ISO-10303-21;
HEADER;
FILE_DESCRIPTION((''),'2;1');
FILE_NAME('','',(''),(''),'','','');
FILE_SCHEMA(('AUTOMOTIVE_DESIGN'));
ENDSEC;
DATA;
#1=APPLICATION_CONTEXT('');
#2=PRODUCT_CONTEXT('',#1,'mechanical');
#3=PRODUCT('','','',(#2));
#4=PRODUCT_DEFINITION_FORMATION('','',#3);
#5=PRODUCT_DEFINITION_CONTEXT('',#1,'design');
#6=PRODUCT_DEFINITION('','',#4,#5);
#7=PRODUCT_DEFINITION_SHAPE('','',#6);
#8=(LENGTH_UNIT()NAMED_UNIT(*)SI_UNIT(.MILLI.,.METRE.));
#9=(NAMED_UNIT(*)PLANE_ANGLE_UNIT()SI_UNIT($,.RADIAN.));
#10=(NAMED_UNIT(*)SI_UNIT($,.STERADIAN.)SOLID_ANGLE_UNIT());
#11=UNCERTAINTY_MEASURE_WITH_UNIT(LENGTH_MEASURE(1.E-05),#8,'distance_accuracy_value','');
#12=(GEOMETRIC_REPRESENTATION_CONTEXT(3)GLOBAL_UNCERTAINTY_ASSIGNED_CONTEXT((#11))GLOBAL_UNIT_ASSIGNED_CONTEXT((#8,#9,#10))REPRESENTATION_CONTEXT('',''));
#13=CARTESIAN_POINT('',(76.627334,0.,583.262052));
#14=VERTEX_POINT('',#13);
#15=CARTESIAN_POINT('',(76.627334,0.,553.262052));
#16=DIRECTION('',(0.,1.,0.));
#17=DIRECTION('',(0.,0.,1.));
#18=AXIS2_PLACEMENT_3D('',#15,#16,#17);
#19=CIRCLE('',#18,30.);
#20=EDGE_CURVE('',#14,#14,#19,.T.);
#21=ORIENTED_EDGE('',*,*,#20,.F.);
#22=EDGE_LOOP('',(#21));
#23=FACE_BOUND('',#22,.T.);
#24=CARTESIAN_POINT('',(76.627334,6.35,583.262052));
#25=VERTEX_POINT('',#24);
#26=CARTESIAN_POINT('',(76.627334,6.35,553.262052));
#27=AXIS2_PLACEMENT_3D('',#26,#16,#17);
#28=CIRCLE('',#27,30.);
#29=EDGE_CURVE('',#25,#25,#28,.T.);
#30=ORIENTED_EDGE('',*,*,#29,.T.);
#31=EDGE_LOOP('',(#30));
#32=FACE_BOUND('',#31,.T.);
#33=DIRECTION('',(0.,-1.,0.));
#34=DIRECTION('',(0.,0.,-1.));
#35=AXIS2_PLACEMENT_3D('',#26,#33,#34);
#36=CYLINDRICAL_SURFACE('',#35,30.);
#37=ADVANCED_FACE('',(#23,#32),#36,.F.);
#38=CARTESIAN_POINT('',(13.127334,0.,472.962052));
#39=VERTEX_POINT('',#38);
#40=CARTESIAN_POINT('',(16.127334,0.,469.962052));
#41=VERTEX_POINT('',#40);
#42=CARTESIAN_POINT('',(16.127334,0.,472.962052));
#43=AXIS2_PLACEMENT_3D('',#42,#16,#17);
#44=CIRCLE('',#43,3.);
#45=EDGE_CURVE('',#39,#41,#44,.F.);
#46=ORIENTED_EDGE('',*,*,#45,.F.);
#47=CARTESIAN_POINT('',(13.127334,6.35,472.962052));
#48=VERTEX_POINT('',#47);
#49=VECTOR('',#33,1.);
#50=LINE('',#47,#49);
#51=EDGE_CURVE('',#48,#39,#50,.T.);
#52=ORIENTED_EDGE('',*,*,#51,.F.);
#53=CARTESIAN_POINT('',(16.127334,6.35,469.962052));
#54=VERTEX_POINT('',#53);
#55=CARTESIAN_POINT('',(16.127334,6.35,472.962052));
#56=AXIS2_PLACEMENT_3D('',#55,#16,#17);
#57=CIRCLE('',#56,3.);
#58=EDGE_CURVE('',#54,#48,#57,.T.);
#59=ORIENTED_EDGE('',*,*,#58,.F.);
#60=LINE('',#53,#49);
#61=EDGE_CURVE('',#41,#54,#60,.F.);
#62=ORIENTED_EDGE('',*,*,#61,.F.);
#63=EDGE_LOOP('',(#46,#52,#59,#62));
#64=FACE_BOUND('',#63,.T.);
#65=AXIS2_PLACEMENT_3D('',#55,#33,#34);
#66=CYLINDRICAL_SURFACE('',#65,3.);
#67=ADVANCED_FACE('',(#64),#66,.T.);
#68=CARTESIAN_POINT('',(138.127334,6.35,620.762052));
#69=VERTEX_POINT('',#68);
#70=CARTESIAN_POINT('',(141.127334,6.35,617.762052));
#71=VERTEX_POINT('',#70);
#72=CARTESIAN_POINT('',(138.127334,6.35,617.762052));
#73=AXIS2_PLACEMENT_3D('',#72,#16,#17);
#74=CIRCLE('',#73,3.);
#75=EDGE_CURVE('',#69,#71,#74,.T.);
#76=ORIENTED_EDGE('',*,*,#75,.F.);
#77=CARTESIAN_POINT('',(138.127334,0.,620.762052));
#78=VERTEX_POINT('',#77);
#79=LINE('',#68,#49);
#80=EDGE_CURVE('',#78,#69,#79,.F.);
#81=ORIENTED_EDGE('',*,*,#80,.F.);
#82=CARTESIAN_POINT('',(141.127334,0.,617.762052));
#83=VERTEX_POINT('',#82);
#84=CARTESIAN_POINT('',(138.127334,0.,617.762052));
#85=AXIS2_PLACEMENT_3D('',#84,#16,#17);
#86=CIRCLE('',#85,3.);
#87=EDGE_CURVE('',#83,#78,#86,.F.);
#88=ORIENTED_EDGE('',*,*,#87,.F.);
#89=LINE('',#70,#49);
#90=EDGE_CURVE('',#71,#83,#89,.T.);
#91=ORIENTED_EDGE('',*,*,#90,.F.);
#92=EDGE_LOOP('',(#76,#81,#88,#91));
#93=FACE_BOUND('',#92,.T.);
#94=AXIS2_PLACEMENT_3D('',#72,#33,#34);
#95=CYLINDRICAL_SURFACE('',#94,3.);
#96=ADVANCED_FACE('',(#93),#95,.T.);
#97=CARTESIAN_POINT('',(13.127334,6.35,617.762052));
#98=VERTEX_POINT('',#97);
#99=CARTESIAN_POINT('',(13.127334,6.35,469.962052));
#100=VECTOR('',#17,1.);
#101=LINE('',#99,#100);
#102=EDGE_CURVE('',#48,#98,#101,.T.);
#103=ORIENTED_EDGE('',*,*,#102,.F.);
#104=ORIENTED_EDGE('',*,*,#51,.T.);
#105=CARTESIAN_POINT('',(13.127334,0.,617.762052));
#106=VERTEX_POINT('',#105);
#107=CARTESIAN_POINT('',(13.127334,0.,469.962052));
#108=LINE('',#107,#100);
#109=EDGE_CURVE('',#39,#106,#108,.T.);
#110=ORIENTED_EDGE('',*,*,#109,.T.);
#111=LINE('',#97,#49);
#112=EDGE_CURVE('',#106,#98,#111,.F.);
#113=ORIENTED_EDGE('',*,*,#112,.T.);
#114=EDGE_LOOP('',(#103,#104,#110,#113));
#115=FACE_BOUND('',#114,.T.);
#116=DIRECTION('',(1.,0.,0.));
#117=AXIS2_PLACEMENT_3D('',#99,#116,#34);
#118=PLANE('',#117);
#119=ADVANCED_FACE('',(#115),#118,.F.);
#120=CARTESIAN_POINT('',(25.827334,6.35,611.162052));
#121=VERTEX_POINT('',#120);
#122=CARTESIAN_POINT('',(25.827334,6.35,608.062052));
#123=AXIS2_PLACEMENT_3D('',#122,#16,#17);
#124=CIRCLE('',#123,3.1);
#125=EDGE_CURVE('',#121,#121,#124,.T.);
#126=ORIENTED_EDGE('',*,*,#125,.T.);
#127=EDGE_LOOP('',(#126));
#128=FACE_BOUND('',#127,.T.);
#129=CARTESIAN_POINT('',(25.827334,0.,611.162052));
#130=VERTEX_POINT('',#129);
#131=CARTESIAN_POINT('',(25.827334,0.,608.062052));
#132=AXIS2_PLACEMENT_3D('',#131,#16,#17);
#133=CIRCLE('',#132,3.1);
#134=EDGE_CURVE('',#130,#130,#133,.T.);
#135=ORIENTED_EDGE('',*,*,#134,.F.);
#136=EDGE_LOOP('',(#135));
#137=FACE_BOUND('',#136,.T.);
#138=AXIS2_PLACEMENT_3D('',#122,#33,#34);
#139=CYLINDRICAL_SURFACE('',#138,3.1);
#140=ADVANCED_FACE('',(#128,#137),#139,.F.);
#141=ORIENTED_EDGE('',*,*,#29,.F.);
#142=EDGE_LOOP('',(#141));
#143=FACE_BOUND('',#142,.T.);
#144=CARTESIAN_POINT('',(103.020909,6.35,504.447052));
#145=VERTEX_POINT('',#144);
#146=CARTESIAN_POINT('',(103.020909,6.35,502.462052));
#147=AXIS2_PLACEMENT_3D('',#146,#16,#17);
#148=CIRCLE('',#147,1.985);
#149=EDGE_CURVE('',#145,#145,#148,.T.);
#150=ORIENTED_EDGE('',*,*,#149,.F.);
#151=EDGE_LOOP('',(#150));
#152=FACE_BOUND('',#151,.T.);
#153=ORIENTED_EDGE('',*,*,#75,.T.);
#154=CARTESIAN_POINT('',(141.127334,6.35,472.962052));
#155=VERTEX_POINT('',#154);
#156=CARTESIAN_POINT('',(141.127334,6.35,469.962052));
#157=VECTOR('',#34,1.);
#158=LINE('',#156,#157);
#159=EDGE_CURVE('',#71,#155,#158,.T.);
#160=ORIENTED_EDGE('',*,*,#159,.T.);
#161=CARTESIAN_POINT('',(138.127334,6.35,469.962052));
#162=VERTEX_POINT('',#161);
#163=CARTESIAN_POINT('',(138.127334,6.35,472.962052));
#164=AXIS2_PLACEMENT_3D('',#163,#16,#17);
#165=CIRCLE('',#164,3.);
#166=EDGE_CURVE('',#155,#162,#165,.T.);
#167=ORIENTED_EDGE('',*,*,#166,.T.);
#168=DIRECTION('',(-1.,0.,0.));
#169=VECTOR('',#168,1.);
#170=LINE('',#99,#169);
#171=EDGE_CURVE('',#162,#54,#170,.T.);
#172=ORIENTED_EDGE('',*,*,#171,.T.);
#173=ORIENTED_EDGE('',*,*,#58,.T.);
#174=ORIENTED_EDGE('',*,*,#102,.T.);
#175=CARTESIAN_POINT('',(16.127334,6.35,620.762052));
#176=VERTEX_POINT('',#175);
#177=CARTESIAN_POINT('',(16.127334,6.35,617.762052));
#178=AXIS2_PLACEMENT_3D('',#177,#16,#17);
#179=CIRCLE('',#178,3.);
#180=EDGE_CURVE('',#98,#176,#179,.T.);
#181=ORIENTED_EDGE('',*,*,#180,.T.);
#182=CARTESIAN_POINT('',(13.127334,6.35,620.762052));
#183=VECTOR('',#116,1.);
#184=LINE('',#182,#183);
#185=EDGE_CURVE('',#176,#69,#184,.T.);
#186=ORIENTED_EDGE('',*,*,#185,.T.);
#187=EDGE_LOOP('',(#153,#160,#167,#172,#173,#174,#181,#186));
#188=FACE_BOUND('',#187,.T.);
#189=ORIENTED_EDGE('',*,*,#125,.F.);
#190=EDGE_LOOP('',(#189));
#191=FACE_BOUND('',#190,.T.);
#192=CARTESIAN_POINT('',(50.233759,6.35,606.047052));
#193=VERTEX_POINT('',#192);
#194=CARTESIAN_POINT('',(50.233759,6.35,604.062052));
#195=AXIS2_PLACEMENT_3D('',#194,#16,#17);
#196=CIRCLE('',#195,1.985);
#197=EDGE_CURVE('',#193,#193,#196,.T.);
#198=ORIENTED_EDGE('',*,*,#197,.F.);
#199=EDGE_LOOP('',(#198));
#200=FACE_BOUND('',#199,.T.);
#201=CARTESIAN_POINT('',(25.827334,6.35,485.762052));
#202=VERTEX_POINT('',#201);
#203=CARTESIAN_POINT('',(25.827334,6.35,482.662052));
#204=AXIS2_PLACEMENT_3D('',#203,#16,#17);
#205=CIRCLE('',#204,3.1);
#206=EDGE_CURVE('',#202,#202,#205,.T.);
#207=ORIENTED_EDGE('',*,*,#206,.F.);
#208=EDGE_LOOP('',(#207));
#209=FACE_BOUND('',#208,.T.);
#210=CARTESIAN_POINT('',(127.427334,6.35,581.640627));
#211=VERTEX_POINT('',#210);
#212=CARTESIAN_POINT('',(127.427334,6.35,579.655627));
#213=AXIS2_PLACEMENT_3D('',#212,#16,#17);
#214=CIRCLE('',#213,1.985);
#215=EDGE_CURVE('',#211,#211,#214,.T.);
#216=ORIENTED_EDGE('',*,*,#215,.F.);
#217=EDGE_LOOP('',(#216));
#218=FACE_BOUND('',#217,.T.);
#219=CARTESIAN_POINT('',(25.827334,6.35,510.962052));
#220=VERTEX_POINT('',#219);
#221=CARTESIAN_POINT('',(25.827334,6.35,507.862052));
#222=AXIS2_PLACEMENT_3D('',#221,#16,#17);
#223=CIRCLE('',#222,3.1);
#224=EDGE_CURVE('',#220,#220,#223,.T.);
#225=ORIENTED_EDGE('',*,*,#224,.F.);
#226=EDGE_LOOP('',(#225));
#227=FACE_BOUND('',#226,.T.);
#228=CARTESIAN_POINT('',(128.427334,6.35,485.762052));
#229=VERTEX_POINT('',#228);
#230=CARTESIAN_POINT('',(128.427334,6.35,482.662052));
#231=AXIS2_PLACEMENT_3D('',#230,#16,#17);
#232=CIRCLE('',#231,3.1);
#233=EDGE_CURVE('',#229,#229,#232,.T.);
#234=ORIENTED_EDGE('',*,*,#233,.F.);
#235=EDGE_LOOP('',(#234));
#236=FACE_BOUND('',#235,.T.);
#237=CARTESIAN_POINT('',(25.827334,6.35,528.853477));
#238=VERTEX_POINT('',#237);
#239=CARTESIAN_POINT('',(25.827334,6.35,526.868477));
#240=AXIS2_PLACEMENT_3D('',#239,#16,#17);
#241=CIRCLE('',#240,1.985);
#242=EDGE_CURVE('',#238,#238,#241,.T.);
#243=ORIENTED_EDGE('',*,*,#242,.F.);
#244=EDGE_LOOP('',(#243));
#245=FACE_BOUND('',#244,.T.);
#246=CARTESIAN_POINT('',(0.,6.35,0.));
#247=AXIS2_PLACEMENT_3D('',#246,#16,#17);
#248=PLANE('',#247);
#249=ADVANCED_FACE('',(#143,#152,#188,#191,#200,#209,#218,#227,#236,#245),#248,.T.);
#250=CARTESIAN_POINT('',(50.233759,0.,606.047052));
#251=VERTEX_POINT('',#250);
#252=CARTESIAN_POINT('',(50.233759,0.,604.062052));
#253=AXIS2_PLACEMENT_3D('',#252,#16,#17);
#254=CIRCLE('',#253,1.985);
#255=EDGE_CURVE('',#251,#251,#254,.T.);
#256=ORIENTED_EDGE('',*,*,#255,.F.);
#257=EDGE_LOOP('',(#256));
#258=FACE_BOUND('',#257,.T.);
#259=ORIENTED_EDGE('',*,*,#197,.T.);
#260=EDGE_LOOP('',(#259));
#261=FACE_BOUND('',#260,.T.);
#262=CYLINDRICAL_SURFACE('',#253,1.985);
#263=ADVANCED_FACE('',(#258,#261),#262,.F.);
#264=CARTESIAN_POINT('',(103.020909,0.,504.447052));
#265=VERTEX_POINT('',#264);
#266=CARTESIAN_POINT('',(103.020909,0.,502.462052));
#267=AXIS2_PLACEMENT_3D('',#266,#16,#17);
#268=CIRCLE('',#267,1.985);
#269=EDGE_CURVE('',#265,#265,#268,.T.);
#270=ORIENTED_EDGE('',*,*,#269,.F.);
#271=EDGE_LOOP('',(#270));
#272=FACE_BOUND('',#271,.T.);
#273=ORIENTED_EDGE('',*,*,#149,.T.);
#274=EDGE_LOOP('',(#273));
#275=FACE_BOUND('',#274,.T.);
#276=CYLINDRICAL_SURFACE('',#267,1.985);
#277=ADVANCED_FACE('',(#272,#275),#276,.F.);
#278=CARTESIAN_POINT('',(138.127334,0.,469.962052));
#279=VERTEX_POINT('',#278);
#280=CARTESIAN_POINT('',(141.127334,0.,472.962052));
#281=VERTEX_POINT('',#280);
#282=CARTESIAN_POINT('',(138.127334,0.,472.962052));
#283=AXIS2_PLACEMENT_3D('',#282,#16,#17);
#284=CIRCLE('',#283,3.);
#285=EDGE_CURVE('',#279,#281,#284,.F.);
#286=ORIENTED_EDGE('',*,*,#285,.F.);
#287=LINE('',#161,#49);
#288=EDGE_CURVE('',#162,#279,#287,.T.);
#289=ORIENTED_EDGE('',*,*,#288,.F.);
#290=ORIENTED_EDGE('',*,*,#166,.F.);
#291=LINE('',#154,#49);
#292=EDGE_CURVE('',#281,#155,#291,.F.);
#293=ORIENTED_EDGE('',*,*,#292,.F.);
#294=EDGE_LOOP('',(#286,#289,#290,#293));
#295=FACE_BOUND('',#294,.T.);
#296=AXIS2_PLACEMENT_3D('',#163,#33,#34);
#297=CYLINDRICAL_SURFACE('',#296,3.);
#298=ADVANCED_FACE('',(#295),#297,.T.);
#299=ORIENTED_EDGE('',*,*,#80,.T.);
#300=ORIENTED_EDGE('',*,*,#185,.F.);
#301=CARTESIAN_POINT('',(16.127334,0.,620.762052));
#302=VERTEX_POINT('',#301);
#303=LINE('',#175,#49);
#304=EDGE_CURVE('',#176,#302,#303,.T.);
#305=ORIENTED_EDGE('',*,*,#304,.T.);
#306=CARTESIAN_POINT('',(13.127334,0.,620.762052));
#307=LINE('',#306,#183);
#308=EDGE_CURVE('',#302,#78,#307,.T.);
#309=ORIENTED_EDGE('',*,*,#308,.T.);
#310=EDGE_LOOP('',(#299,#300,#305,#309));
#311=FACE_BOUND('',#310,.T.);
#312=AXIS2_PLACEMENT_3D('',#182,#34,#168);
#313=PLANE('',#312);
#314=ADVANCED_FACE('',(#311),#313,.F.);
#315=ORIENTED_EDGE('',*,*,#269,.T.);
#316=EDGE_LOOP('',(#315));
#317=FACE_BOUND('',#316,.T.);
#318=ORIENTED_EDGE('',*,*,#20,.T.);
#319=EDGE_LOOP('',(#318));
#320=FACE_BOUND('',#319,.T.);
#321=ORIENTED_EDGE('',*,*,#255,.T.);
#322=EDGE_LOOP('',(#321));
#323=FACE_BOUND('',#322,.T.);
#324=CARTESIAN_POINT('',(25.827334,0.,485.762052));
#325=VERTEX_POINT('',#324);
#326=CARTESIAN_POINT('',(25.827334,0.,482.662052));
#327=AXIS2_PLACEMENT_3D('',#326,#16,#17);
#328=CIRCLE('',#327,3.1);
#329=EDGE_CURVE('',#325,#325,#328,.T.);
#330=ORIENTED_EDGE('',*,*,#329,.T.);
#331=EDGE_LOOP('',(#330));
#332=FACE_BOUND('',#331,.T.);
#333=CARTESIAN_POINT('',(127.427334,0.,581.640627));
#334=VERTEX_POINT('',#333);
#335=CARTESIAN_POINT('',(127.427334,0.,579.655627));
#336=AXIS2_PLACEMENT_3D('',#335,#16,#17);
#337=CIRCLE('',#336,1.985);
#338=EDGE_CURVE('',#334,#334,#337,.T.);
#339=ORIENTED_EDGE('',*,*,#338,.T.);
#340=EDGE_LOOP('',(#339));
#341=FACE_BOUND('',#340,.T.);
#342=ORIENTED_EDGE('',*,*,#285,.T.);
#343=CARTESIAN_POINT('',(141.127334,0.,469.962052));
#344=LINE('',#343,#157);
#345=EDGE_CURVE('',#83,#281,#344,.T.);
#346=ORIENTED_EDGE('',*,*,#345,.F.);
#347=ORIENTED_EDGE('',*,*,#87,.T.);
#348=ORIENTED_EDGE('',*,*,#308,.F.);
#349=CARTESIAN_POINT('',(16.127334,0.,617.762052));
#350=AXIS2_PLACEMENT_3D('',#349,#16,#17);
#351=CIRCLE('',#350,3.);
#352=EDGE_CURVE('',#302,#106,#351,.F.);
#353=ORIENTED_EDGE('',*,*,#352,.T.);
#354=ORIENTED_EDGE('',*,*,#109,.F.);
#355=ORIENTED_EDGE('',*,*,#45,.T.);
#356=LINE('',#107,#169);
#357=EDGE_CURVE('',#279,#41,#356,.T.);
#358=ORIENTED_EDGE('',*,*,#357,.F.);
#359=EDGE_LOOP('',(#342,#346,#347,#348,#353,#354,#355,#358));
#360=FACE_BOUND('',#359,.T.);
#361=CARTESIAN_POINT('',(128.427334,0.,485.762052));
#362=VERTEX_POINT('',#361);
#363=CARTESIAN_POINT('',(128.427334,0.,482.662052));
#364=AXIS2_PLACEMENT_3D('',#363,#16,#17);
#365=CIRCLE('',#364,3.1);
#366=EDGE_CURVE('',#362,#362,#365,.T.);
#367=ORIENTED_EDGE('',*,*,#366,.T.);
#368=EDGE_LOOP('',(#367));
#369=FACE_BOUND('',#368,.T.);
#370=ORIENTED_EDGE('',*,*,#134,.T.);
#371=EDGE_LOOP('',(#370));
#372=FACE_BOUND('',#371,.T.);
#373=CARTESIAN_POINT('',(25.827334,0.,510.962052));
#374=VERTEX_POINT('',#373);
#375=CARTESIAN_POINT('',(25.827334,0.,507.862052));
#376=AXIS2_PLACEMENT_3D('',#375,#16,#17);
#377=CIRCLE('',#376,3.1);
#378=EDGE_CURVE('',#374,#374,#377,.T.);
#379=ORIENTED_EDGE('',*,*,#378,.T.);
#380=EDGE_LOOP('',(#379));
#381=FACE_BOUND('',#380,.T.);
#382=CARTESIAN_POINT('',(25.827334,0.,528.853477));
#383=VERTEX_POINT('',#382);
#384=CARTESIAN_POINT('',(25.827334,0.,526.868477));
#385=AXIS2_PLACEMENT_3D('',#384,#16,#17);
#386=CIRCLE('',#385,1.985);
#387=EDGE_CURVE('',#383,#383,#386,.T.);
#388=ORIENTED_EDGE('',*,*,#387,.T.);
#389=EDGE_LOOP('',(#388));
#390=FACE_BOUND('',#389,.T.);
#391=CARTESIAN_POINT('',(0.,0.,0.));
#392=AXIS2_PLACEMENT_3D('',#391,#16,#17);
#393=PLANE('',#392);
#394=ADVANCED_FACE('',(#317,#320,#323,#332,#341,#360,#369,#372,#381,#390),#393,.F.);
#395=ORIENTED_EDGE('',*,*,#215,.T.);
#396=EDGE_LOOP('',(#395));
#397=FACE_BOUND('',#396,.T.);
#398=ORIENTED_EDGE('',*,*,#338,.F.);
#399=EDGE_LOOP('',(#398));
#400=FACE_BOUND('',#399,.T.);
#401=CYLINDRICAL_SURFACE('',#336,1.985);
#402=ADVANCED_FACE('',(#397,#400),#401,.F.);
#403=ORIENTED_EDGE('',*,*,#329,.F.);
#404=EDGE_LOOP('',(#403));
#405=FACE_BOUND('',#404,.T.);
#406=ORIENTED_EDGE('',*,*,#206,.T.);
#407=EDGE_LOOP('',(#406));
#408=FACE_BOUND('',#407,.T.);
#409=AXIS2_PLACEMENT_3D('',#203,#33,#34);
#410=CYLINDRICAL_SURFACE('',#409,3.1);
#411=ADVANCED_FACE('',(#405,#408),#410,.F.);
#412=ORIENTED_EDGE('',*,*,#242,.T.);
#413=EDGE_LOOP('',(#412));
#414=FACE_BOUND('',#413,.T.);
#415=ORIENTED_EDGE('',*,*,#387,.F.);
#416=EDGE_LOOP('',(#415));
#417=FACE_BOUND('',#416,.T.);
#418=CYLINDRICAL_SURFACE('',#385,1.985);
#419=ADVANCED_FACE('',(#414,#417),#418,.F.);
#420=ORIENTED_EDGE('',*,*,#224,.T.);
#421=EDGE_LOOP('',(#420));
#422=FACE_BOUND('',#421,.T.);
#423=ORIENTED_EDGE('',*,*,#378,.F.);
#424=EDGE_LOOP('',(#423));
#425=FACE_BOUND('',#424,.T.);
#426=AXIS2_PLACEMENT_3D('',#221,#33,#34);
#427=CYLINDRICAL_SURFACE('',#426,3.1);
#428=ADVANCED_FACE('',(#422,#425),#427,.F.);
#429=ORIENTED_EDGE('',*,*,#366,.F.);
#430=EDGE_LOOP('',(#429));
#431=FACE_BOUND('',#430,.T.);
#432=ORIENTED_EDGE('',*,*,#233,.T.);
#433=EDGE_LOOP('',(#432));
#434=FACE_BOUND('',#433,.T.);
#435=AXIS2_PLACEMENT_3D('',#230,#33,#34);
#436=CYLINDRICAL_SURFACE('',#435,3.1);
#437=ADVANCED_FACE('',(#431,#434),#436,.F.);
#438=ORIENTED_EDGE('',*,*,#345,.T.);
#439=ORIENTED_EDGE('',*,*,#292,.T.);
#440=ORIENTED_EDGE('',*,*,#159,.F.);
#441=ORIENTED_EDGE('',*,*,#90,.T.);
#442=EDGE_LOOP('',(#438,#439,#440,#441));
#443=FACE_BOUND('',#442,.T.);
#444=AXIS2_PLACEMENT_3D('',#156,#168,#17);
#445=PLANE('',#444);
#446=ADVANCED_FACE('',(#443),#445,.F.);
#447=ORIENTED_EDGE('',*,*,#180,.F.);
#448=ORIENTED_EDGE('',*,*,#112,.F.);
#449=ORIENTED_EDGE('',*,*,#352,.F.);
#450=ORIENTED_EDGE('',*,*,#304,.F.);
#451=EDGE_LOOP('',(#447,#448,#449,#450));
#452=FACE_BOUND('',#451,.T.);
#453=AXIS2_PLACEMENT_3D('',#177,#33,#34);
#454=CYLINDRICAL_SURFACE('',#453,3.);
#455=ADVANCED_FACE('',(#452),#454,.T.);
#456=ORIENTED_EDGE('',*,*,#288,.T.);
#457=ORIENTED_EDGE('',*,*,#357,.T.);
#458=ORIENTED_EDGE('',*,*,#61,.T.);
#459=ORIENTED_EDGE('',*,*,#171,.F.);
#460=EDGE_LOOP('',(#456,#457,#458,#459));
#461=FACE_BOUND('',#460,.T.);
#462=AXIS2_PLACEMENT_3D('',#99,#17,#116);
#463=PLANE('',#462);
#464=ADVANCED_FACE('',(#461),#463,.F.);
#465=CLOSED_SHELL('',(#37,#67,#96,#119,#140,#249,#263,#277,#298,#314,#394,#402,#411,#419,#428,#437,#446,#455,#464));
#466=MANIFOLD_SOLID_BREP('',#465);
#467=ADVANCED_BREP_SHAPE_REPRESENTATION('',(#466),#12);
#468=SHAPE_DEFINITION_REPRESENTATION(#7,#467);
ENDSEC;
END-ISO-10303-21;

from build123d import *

# Parameters (mm, degrees)
SKETCH1_W           = 128
SKETCH1_H           = 150.8
SKETCH1_R           = 30
SKETCH1_R_2         = 3.1
BOSS_EXTRUDE1_DEPTH = 6.35
FILLET1_R           = 3
SKETCH3_R           = 1.985
CUT_EXTRUDE1_DEPTH  = 637.633938538


with BuildPart() as part:
    # Sketch1 → Boss-Extrude1 (new body)
    with BuildSketch(Plane(origin=(0, 0, 0), x_dir=(1, 0, 0), z_dir=(0, 1, 0))):
        with Locations((77.127334094, -545.362051651)):
            Rectangle(SKETCH1_W, SKETCH1_H)
        with Locations(Location((76.627334094, -553.262051651, 0), (0, 0, 270))):
            Circle(SKETCH1_R, mode=Mode.SUBTRACT)
        with Locations(Location((25.827334094, -482.662051651, 0), (0, 0, 270))):
            Circle(SKETCH1_R_2, mode=Mode.SUBTRACT)
        with Locations(Location((128.427334094, -482.662051651, 0), (0, 0, 270))):
            Circle(SKETCH1_R_2, mode=Mode.SUBTRACT)
        with Locations(Location((25.827334094, -608.062051651, 0), (0, 0, 270))):
            Circle(SKETCH1_R_2, mode=Mode.SUBTRACT)
        with Locations(Location((25.827334094, -507.862051651, 0), (0, 0, 270))):
            Circle(SKETCH1_R_2, mode=Mode.SUBTRACT)
    extrude(amount=BOSS_EXTRUDE1_DEPTH)

    # Fillet1
    fillet1_edges = [part.edges().sort_by_distance(p)[0] for p in [
        (141.127334094, 3.175, 620.762051651),
        (13.127334094, 3.175, 620.762051651),
        (13.127334094, 3.175, 469.962051651),
        (141.127334094, 3.175, 469.962051651),
    ]]
    fillet(fillet1_edges, radius=FILLET1_R)

    # Sketch3 → Cut-Extrude1 (cut, through all)
    with BuildSketch(Plane(origin=(0, 6.35, 0), x_dir=(1, 0, 0), z_dir=(0, 1, 0))):
        with Locations(Location((25.827334094, -526.868476675, 0), (0, 0, 270))):
            Circle(SKETCH3_R)
        with Locations(Location((103.020909069, -502.462051651, 0), (0, 0, 270))):
            Circle(SKETCH3_R)
        with Locations(Location((127.427334094, -579.655626627, 0), (0, 0, 270))):
            Circle(SKETCH3_R)
        with Locations(Location((50.233759118, -604.062051651, 0), (0, 0, 270))):
            Circle(SKETCH3_R)
    extrude(amount=-CUT_EXTRUDE1_DEPTH, mode=Mode.SUBTRACT)


solid = part.part
